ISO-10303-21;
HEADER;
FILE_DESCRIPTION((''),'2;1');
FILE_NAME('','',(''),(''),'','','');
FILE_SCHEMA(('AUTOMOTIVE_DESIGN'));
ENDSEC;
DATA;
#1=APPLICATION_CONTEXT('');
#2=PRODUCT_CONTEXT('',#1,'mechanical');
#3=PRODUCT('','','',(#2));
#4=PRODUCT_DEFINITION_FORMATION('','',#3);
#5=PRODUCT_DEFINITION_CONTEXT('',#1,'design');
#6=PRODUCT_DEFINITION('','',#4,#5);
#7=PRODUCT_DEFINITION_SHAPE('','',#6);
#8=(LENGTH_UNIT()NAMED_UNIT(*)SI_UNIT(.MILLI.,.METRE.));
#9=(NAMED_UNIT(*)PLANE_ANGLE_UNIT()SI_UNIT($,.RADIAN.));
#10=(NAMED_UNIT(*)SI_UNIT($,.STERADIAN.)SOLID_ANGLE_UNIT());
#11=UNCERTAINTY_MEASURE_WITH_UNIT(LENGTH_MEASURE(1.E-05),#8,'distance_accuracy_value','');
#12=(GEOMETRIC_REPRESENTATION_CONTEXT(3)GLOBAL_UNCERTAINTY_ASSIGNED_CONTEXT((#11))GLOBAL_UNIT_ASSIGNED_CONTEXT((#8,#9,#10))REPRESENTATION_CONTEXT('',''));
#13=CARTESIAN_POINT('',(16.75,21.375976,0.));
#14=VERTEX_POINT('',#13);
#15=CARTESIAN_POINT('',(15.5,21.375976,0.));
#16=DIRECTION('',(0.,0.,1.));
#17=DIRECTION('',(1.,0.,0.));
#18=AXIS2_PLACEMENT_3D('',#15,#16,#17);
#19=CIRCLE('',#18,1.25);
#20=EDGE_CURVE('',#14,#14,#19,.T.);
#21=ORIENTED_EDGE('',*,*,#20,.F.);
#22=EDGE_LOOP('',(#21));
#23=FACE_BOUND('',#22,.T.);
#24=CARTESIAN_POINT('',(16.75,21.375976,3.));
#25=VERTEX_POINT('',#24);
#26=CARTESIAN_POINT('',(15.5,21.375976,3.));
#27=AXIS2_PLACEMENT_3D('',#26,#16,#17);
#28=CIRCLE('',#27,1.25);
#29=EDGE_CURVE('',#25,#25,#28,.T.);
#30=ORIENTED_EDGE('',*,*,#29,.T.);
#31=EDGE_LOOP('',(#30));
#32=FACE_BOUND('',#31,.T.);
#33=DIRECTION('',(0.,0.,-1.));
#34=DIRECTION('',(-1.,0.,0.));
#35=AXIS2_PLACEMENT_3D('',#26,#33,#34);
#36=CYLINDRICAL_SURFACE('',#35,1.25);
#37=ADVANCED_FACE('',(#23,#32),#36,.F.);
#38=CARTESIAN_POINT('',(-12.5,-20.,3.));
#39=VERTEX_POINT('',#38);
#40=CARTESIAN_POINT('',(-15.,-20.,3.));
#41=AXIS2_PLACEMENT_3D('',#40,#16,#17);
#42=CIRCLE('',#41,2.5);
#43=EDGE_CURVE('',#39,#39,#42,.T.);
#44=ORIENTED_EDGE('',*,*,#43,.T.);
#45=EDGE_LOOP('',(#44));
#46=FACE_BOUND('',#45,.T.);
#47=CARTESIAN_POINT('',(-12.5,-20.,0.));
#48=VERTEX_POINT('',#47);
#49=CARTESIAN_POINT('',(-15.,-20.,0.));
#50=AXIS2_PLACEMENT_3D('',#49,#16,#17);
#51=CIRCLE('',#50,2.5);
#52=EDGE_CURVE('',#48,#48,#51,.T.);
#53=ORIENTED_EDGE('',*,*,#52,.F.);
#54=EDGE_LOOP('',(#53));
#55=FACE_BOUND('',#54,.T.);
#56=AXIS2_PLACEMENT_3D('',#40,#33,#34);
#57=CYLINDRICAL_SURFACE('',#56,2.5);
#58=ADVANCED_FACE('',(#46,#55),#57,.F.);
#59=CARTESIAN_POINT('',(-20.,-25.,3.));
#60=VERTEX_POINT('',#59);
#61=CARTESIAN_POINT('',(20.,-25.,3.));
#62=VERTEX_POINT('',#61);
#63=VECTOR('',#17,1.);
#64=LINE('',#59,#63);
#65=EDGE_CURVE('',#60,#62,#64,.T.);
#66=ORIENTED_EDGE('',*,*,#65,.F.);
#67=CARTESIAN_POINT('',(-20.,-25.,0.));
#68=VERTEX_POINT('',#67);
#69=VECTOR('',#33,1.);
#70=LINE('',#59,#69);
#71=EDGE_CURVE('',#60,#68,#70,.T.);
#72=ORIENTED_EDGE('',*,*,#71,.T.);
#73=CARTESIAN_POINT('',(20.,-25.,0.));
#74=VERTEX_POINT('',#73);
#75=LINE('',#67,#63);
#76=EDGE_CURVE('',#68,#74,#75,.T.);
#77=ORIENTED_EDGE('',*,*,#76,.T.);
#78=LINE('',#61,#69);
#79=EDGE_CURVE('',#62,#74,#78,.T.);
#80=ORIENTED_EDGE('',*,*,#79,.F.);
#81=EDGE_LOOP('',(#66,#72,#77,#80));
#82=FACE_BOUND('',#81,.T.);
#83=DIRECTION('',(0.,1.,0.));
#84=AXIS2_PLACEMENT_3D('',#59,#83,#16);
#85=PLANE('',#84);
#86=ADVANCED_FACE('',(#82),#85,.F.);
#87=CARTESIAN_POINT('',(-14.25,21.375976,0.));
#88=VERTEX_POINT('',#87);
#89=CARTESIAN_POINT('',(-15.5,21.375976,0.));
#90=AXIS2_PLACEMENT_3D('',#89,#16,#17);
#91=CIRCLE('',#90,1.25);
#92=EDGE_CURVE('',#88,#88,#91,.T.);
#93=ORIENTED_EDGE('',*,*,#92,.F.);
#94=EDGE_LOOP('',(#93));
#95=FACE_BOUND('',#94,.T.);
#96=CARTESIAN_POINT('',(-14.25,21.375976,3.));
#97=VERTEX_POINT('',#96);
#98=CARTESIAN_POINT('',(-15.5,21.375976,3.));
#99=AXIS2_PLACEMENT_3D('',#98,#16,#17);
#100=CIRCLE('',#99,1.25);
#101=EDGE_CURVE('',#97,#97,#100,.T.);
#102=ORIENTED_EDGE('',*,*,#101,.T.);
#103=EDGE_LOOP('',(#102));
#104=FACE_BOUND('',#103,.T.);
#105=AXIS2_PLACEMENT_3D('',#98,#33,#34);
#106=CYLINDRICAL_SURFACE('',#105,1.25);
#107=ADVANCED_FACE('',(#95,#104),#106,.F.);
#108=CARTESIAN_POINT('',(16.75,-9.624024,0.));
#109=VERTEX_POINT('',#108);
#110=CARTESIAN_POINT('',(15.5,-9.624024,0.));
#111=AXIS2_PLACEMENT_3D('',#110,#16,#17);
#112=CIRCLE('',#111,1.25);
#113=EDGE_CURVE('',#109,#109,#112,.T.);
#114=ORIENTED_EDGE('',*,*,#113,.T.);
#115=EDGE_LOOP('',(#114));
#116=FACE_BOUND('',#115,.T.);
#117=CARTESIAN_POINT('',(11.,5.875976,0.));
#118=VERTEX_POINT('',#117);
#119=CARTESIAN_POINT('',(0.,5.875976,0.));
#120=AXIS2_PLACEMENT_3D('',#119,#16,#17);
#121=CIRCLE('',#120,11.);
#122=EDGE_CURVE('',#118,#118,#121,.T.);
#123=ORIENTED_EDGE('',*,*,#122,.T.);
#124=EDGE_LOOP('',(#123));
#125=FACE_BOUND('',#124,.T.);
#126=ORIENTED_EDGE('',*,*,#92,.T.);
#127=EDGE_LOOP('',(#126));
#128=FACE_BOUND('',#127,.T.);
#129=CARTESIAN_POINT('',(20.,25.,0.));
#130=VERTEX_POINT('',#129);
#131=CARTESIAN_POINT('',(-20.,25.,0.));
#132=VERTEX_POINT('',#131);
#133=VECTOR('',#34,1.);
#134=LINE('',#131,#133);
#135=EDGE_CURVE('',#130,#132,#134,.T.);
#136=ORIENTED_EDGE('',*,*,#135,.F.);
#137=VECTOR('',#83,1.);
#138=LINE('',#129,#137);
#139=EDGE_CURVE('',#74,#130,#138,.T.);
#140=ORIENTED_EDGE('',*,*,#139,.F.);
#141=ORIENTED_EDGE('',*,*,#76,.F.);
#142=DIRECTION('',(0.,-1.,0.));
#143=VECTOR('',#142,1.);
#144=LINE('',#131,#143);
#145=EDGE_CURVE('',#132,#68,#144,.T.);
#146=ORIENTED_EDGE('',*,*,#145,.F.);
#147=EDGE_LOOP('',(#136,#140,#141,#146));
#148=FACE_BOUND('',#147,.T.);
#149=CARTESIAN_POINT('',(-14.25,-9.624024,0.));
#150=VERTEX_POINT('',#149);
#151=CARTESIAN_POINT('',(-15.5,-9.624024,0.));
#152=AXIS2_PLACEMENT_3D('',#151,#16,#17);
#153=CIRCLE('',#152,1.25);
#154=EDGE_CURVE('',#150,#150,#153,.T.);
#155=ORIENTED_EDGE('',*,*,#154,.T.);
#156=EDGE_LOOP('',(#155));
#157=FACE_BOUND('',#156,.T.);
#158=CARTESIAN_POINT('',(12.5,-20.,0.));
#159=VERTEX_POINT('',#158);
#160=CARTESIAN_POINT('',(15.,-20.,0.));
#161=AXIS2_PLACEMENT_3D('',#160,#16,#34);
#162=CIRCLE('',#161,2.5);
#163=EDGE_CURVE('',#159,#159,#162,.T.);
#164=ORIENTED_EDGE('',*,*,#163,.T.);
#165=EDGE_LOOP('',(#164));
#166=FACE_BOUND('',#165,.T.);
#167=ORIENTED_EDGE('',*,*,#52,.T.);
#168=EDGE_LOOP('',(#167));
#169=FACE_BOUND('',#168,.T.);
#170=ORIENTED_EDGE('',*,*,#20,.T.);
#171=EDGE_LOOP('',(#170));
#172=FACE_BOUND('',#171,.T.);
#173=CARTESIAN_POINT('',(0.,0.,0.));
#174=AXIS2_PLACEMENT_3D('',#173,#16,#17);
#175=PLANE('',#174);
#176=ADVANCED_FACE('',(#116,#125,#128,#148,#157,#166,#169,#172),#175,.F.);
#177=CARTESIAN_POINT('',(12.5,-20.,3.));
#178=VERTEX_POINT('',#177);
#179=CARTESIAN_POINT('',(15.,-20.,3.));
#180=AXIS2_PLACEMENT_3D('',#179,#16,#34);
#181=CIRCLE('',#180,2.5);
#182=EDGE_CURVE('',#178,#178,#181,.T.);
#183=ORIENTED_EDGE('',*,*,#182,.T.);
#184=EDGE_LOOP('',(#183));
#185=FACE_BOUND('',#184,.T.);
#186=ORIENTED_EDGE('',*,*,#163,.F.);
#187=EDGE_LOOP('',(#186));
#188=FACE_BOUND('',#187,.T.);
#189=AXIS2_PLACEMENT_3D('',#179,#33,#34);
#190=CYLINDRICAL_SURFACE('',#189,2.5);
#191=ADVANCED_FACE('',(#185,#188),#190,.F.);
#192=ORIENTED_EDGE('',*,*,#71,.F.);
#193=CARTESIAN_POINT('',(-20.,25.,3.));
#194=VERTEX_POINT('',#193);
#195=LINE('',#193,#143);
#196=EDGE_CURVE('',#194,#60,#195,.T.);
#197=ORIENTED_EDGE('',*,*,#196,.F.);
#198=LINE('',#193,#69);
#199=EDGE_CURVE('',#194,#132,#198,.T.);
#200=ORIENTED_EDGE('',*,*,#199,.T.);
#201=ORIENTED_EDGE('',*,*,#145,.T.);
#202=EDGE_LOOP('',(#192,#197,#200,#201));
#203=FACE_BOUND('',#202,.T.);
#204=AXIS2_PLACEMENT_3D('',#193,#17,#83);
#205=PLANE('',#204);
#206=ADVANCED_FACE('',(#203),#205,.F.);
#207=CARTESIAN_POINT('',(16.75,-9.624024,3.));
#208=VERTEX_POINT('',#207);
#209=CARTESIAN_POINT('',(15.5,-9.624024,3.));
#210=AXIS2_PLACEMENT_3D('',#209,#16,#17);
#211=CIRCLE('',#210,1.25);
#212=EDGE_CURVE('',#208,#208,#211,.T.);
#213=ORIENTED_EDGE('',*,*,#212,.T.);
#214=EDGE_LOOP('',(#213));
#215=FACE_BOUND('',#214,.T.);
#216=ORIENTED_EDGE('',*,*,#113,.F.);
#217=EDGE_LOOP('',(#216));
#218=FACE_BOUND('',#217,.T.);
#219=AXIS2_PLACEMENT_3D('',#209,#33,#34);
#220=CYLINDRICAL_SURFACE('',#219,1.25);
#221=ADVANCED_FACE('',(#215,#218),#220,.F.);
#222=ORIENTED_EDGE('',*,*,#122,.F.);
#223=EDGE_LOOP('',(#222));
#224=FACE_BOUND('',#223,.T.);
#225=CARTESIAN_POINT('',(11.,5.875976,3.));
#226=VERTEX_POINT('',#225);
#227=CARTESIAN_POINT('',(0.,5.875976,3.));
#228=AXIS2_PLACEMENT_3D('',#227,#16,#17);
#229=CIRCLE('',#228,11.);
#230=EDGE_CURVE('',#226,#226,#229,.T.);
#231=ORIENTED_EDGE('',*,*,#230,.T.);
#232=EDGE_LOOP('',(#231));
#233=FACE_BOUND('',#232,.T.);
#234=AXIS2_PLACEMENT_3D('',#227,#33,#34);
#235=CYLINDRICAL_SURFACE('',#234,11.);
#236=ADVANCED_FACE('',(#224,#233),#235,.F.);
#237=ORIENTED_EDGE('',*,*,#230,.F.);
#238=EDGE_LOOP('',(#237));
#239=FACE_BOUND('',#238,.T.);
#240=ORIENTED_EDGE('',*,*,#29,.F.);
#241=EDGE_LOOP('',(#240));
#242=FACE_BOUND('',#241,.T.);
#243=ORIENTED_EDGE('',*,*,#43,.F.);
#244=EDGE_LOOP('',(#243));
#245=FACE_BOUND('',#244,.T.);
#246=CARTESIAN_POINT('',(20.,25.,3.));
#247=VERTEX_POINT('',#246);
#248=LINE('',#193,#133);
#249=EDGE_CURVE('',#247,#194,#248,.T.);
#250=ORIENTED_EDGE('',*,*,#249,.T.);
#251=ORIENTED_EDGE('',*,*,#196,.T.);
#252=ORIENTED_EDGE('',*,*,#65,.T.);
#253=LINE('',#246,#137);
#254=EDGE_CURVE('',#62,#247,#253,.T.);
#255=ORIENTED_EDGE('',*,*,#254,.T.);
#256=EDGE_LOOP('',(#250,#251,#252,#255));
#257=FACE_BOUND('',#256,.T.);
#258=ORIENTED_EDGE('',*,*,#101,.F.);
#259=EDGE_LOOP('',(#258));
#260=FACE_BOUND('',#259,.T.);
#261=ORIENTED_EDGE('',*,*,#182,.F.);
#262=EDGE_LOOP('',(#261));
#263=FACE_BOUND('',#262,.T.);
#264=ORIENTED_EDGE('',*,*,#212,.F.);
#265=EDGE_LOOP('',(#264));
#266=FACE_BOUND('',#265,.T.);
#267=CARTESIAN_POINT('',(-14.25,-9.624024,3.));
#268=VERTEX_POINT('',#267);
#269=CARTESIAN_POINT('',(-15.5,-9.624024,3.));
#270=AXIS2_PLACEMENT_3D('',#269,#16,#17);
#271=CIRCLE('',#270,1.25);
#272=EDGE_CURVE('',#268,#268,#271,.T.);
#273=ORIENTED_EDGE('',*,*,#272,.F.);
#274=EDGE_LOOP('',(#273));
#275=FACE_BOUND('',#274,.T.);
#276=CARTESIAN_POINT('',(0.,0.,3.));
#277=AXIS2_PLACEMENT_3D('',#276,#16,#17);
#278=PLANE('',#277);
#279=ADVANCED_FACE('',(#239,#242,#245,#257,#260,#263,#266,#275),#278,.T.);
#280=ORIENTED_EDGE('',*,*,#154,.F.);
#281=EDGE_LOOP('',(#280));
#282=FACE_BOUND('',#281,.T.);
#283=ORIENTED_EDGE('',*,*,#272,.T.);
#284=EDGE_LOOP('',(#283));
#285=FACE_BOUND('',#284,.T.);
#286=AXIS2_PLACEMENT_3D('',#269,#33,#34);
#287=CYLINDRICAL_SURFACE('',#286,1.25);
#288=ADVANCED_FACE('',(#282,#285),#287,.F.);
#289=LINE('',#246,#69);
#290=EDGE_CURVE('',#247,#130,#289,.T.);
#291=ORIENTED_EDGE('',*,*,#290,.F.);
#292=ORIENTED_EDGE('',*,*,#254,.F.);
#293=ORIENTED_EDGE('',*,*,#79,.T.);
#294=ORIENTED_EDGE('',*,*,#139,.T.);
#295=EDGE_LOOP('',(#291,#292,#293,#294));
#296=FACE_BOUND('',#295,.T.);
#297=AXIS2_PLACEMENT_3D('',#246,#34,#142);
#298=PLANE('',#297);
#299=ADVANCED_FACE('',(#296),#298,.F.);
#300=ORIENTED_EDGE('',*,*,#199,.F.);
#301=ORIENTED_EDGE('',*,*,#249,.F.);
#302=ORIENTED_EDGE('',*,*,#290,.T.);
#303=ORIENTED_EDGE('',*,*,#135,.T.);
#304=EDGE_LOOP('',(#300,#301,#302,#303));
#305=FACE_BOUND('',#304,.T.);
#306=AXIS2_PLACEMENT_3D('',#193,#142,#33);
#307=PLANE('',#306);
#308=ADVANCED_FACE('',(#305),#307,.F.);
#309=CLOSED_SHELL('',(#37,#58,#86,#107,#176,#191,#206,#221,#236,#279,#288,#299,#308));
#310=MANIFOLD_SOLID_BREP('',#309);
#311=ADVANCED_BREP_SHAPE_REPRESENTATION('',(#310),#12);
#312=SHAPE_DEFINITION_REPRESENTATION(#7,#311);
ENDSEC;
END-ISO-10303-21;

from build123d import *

# Parameters (mm, degrees)
SKETCH1_W           = 40
SKETCH1_H           = 50
SKETCH1_R           = 1.25
SKETCH1_R_2         = 2.5
SKETCH1_R_3         = 11
BOSS_EXTRUDE1_DEPTH = 3


with BuildPart() as part:
    # Sketch1 → Boss-Extrude1 (new body)
    with BuildSketch(Plane.XY):
        Rectangle(SKETCH1_W, SKETCH1_H)
        with Locations((-15.5, 21.375976324)):
            Circle(SKETCH1_R, mode=Mode.SUBTRACT)
        with Locations((-15.5, -9.624023676)):
            Circle(SKETCH1_R, mode=Mode.SUBTRACT)
        with Locations((15.5, 21.375976324)):
            Circle(SKETCH1_R, mode=Mode.SUBTRACT)
        with Locations((15.5, -9.624023676)):
            Circle(SKETCH1_R, mode=Mode.SUBTRACT)
        with Locations((-15, -20)):
            Circle(SKETCH1_R_2, mode=Mode.SUBTRACT)
        with Locations((15, -20)):
            Circle(SKETCH1_R_2, mode=Mode.SUBTRACT)
        with Locations((0, 5.875976324)):
            Circle(SKETCH1_R_3, mode=Mode.SUBTRACT)
    extrude(amount=BOSS_EXTRUDE1_DEPTH)


solid = part.part
